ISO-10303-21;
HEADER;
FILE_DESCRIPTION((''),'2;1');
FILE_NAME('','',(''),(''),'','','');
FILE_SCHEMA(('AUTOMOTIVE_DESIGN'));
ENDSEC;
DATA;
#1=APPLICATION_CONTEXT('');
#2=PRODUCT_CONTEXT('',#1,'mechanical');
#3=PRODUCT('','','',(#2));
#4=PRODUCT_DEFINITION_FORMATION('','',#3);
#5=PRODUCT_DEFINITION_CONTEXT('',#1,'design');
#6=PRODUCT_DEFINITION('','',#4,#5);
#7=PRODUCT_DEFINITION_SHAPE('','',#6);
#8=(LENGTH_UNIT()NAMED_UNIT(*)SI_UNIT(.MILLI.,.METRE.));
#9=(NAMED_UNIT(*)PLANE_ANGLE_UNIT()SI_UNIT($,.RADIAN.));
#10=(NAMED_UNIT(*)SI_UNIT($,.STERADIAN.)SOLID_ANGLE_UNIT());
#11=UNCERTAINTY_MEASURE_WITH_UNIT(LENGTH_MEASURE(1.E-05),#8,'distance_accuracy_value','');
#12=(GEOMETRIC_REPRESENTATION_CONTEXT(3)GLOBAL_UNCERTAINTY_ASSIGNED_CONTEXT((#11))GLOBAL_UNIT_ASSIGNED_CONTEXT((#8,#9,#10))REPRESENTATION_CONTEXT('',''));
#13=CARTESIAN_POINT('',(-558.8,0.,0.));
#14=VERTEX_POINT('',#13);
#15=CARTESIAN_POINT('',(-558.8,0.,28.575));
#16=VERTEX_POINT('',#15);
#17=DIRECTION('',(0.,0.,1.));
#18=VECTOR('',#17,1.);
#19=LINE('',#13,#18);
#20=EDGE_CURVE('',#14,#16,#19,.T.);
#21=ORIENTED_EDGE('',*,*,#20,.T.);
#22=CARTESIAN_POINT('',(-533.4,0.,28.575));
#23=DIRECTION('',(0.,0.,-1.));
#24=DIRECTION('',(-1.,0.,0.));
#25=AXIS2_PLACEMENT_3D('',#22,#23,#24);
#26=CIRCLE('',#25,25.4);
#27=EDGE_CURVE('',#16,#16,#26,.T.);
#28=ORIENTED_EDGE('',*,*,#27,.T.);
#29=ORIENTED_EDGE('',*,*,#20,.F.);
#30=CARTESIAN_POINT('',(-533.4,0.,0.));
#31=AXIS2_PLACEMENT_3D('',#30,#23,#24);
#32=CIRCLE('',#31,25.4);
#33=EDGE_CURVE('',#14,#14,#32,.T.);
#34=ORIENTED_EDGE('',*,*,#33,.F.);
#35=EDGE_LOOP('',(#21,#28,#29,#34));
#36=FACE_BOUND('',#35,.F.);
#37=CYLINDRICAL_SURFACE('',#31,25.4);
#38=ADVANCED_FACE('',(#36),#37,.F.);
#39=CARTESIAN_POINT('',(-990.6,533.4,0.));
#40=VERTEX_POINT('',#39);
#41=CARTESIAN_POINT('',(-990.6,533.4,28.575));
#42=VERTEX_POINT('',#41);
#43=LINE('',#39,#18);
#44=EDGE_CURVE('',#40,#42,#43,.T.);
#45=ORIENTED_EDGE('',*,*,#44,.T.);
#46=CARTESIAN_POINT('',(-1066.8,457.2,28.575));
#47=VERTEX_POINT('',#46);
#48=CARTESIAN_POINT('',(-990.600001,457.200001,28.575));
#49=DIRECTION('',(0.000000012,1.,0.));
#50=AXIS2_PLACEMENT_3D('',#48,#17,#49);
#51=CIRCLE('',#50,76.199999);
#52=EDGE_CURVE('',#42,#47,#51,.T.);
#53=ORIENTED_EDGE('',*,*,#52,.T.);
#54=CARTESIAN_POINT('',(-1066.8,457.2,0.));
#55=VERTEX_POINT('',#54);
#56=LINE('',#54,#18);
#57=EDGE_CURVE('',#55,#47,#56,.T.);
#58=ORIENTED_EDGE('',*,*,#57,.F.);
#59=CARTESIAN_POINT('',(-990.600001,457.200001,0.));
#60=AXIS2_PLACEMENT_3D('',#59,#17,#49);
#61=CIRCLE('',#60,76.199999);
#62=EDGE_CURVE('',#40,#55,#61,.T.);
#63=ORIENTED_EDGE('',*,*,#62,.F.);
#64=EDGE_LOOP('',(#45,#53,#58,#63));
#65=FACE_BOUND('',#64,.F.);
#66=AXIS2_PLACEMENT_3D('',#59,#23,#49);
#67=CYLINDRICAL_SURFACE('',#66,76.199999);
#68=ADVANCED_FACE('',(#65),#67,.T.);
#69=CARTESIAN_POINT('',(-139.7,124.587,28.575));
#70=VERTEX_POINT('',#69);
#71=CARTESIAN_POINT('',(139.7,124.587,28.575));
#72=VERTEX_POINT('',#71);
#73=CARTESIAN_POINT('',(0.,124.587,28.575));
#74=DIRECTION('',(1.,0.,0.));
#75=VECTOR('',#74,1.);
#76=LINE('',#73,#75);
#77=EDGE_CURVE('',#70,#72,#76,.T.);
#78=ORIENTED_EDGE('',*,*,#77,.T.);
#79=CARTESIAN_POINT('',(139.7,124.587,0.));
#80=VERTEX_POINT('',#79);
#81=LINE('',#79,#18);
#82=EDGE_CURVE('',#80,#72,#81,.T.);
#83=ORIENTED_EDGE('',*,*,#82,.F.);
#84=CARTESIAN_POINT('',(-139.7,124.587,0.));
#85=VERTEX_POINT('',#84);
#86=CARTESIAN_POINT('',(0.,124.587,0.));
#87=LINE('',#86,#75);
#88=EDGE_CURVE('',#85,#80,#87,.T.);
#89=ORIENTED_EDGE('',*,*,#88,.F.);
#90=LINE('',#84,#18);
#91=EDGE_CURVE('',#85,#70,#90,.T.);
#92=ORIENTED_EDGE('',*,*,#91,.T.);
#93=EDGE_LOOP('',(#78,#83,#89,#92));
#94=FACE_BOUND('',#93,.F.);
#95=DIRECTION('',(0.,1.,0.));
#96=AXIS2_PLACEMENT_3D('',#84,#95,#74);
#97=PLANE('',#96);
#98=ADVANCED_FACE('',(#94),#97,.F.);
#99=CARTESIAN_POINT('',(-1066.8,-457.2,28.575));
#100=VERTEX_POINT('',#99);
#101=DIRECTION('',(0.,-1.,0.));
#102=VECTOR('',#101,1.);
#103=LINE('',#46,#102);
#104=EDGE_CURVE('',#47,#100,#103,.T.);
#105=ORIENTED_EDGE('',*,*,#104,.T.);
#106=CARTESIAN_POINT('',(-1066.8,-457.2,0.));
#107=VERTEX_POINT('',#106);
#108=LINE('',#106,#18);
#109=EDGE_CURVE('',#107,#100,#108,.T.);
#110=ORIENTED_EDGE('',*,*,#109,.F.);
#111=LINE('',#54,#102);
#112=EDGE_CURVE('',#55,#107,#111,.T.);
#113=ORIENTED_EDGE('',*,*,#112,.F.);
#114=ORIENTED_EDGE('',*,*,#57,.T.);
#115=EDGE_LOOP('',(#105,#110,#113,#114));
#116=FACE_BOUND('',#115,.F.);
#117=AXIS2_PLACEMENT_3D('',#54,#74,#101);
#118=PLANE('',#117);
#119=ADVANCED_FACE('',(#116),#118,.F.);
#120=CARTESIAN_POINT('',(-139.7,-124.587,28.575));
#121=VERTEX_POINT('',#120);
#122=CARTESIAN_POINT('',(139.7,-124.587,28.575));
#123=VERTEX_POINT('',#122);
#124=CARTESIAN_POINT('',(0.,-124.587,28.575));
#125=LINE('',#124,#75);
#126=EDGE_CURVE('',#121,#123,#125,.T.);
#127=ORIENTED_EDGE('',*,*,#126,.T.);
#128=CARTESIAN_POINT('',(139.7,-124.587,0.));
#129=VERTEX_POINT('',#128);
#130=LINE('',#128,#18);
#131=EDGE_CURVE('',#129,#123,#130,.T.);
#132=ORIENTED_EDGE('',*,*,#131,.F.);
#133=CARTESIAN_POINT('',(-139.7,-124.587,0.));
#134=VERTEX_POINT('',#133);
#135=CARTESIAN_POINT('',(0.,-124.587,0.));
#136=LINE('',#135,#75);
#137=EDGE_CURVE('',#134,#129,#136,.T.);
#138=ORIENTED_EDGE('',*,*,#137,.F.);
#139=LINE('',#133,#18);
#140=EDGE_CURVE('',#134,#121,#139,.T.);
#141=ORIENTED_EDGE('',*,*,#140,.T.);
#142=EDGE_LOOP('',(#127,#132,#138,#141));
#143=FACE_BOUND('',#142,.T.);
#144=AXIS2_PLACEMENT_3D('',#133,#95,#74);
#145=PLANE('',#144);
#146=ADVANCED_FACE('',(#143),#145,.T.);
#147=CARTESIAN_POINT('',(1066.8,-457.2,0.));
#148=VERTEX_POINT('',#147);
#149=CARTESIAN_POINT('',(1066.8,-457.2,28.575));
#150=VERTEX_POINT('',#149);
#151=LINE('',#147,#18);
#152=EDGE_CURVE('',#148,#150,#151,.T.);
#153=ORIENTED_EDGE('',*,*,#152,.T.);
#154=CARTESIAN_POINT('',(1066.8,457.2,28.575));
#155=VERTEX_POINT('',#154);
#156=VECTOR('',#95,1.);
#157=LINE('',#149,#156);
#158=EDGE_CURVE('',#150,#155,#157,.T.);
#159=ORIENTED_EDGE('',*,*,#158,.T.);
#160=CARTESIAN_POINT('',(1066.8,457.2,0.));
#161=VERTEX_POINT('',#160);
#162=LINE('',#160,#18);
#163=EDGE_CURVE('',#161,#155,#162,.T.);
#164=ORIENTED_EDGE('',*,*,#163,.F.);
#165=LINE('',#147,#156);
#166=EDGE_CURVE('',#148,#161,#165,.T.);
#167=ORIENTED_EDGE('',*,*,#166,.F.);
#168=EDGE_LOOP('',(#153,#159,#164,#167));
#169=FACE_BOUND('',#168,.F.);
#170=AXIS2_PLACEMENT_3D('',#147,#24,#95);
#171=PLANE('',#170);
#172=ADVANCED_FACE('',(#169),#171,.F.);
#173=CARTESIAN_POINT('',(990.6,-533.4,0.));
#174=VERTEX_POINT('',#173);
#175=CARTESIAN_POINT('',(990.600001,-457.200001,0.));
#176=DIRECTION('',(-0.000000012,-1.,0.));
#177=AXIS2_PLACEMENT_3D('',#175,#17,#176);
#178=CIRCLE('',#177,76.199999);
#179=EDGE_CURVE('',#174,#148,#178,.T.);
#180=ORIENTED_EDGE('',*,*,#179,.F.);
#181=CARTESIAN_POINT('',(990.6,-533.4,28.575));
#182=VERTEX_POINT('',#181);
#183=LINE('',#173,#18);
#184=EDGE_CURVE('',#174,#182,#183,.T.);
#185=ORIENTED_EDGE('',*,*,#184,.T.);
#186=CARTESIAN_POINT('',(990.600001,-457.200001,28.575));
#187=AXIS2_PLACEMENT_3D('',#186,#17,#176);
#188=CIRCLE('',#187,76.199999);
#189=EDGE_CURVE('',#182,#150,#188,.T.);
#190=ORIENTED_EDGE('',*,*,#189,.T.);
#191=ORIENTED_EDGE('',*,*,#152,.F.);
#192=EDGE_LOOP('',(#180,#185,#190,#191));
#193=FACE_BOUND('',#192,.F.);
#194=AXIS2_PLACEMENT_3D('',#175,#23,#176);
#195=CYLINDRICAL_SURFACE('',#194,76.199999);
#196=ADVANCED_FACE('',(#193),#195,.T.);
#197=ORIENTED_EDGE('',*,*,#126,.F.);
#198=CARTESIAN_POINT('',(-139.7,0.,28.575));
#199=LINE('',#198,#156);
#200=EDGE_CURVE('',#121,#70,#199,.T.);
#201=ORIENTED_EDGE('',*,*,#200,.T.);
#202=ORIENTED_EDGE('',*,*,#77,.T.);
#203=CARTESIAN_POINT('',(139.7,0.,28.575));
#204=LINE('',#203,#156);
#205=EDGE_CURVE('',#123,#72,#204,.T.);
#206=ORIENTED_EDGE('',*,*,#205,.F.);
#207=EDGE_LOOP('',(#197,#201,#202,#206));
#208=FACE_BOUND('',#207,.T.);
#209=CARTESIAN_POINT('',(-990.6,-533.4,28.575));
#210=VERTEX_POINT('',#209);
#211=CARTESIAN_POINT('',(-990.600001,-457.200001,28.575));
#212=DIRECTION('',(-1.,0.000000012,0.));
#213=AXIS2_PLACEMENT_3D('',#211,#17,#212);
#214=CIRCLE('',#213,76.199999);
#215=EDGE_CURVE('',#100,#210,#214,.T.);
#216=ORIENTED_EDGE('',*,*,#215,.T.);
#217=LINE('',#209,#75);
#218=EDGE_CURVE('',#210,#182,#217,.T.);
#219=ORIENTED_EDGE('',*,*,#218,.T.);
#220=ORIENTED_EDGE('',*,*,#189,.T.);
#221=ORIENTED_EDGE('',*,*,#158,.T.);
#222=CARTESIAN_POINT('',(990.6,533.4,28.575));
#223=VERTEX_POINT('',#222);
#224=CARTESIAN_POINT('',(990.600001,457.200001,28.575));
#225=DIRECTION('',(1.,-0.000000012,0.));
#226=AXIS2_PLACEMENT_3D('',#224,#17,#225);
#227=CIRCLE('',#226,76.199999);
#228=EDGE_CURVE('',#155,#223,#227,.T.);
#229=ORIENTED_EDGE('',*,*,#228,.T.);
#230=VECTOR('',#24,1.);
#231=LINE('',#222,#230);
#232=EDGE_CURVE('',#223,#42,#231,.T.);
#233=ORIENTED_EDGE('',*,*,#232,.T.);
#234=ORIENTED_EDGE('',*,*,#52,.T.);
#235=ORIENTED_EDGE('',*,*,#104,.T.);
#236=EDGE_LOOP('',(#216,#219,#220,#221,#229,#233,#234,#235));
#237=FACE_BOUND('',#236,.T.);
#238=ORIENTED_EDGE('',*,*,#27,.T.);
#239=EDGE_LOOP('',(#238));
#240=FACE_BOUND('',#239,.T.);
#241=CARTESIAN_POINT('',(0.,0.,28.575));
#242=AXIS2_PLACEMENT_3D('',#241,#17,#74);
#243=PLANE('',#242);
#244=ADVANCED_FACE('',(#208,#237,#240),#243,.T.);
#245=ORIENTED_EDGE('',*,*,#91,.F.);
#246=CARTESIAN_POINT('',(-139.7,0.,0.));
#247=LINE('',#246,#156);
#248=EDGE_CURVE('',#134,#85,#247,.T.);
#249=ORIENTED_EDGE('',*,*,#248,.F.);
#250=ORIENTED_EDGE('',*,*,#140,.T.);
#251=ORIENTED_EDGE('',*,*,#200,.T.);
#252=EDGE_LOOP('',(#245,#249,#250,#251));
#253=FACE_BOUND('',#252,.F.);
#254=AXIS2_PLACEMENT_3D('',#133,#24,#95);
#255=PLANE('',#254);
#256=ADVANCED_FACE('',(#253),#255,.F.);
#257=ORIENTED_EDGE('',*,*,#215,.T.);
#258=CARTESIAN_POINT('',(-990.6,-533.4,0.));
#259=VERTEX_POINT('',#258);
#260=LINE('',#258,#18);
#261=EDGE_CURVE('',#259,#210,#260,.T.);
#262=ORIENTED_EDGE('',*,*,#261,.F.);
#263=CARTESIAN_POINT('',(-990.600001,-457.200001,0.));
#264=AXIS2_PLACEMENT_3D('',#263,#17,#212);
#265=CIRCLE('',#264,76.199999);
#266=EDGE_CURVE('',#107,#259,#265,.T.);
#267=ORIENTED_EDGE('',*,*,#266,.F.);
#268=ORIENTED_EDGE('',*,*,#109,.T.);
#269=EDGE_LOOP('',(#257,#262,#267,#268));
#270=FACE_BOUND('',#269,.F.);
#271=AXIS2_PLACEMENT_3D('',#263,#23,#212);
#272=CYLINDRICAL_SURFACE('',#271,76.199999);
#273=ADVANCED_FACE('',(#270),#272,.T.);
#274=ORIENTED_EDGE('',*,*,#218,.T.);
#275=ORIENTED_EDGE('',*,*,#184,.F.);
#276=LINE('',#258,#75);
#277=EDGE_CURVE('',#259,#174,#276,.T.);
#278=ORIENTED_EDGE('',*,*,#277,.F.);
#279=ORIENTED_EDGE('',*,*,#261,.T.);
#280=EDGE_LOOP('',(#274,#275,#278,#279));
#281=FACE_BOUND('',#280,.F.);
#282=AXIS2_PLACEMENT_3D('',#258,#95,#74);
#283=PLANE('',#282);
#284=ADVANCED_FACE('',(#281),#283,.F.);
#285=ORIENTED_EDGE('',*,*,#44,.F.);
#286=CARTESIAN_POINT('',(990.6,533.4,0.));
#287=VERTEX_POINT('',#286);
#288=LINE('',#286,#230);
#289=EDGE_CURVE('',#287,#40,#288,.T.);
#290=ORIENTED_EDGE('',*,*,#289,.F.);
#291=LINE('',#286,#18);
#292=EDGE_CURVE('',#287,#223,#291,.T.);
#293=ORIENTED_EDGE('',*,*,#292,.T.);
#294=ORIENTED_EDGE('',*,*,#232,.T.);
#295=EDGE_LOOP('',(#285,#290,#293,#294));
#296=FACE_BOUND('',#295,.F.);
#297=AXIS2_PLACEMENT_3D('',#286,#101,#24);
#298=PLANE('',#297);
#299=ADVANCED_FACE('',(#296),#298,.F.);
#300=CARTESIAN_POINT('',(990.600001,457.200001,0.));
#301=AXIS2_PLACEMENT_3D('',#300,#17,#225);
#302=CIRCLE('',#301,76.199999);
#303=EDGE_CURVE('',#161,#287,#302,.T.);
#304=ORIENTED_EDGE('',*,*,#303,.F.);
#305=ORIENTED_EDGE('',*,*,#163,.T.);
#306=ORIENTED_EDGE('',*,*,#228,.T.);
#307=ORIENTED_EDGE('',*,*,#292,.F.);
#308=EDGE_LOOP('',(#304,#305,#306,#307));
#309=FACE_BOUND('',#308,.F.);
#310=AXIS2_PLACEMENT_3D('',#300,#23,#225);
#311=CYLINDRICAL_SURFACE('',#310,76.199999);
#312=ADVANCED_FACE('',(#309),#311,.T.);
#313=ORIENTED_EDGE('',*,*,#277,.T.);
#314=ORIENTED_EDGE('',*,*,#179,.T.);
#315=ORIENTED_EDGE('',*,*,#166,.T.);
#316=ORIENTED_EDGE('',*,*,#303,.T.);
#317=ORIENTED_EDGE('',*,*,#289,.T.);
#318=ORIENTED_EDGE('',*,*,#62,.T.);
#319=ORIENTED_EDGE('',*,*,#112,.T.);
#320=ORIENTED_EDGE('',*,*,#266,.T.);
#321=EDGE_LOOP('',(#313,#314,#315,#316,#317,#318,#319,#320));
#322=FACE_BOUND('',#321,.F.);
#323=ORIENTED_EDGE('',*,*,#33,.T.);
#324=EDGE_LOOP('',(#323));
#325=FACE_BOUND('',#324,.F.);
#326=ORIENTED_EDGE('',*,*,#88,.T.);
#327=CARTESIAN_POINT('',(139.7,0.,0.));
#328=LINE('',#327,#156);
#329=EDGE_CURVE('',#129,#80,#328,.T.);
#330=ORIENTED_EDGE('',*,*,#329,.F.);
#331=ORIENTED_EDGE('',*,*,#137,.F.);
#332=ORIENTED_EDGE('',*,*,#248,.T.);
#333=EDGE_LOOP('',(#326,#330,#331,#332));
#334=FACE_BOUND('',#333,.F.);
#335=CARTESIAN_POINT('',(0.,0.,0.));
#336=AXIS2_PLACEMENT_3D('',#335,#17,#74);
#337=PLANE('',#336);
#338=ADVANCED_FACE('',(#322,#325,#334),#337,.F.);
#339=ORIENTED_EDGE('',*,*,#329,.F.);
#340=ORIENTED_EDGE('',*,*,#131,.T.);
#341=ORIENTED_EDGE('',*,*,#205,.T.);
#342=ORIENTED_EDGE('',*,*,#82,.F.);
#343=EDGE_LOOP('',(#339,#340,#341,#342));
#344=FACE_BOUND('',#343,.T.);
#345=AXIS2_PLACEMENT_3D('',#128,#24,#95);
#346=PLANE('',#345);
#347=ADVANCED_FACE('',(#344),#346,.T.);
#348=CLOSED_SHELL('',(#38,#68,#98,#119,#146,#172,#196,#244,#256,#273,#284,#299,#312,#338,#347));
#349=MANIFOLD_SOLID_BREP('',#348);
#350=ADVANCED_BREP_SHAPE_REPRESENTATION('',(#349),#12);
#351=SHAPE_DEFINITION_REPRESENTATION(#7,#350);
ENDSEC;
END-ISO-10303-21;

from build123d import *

# Parameters (mm, degrees)
F0_W     = 279.4
F0_H     = 249.174
F1_DEPTH = 28.575


with BuildPart() as f1:
    # F0 (on Top) → F1 (new body)
    with BuildSketch(Plane.XY):
        with BuildLine():
            Line((990.6, 533.4), (-990.6, 533.4))
            ThreePointArc((-990.6, 533.4), (-1044.481537, 511.081537), (-1066.8, 457.2))
            Line((-1066.8, 457.2), (-1066.8, 0))
            Line((-1066.8, 0), (-1066.8, -457.2))
            ThreePointArc((-1066.8, -457.2), (-1044.481537, -511.081537), (-990.6, -533.4))
            Line((-990.6, -533.4), (990.6, -533.4))
            ThreePointArc((990.6, -533.4), (1044.481537, -511.081537), (1066.8, -457.2))
            Line((1066.8, -457.2), (1066.8, 457.2))
            ThreePointArc((1066.8, 457.2), (1044.481537, 511.081537), (990.6, 533.4))
        make_face()
        with BuildLine():
            ThreePointArc((-508, 0), (-533.4, -25.4), (-558.8, 0))
            ThreePointArc((-558.8, 0), (-533.4, 25.4), (-508, 0))
        make_face(mode=Mode.SUBTRACT)
        Rectangle(F0_W, F0_H, mode=Mode.SUBTRACT)
    extrude(amount=F1_DEPTH)


solid = f1.part
